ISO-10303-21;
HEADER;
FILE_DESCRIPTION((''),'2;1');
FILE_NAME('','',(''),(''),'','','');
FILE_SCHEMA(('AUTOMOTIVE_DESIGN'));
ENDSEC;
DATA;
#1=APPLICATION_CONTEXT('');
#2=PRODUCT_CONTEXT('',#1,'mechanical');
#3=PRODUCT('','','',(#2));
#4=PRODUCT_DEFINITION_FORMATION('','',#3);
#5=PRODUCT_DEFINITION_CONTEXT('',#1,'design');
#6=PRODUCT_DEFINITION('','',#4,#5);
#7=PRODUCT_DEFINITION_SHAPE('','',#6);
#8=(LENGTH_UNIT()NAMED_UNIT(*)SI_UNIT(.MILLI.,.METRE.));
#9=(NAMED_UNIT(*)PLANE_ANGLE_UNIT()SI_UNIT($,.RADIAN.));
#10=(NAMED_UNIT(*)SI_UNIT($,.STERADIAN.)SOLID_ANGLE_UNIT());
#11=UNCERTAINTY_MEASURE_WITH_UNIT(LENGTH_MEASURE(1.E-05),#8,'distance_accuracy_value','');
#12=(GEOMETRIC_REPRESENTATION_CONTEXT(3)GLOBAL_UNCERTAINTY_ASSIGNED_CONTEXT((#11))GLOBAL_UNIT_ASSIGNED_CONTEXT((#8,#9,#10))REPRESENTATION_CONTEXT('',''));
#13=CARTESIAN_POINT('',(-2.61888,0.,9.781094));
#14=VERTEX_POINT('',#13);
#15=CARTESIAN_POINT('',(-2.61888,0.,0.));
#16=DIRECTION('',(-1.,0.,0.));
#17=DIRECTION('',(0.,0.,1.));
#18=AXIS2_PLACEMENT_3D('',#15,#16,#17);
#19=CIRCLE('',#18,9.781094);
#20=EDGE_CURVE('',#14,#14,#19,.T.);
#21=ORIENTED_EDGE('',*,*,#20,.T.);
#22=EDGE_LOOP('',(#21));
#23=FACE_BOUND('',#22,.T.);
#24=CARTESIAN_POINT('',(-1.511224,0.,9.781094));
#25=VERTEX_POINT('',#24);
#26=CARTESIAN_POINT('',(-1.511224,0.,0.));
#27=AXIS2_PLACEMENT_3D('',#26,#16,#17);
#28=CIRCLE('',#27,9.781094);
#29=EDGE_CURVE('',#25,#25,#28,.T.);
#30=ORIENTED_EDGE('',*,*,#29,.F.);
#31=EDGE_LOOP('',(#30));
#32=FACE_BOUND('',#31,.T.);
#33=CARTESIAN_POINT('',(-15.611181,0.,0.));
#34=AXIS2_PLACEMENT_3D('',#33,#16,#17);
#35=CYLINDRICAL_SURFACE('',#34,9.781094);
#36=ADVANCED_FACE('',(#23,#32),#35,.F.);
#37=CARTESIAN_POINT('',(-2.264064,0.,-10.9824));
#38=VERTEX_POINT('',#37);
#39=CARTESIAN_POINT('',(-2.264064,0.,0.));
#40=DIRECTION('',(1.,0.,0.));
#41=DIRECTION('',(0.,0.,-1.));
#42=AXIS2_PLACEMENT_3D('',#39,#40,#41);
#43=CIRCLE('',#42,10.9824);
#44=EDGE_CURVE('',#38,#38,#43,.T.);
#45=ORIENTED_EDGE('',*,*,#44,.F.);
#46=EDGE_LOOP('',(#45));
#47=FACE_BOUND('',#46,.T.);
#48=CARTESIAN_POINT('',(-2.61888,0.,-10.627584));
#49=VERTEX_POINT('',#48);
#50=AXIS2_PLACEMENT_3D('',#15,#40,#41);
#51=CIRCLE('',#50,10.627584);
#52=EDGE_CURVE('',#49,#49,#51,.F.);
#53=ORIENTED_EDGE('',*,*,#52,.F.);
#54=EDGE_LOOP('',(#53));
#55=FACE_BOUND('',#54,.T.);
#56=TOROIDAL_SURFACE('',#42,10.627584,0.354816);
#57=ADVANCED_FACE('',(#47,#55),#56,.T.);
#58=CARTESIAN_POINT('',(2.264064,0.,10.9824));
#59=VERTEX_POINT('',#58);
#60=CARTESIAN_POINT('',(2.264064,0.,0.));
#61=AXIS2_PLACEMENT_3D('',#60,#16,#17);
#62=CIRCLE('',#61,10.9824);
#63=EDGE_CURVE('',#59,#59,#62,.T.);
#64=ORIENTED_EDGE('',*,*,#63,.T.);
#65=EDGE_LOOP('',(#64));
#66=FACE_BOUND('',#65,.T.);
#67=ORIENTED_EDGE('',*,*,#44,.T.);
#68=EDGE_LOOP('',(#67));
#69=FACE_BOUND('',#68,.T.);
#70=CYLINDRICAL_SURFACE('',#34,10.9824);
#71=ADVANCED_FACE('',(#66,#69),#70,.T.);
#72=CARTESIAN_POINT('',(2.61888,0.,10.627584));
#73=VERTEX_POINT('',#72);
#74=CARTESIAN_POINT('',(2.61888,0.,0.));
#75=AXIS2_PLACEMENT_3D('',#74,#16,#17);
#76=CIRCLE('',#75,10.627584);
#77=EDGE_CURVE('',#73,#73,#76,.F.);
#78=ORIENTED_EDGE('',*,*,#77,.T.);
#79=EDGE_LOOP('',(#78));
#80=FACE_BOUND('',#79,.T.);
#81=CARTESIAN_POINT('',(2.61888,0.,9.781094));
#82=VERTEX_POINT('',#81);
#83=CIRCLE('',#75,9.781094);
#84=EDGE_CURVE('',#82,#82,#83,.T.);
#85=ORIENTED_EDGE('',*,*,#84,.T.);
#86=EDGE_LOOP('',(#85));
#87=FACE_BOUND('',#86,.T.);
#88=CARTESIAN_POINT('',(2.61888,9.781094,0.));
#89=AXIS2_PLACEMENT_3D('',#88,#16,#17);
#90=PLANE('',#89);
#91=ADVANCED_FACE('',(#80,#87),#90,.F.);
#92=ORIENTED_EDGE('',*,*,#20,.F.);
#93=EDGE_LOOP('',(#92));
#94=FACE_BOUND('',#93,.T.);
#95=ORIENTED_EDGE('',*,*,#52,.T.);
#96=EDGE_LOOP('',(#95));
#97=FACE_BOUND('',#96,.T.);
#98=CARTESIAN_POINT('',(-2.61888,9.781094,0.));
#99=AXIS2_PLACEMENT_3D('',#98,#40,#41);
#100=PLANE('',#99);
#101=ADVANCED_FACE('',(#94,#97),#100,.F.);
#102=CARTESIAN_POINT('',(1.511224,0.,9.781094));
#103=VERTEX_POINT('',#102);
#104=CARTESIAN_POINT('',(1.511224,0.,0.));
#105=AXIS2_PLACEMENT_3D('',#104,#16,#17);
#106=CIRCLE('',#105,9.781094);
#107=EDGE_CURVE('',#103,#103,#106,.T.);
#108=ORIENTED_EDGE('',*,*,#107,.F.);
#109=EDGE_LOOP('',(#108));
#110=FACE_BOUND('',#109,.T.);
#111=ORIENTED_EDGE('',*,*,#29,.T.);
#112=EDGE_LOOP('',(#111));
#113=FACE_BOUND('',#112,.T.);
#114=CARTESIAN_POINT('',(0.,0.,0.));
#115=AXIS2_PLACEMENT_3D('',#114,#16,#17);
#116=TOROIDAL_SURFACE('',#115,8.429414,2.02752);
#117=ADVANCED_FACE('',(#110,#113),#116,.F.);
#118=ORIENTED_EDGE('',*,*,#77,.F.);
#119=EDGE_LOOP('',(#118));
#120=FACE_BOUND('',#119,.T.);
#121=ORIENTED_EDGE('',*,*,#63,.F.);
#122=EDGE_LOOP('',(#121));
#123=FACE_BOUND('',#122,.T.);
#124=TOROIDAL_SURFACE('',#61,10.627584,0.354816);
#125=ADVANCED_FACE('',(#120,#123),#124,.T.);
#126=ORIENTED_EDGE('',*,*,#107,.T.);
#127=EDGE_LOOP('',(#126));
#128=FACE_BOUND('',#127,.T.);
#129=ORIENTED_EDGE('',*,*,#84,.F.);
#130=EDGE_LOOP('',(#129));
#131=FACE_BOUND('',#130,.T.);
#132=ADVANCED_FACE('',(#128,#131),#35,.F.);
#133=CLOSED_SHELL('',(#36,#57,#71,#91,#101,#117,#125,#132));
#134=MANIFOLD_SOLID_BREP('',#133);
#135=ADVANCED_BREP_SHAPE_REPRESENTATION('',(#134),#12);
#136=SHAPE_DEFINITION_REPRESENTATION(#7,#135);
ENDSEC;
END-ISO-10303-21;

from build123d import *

# Parameters (mm, degrees)
FILLET1_R    = 2.1
SCALE1_SCALE = 0.22
SCALE2_SCALE = 0.2
SCALE3_SCALE = 3.84


with BuildPart() as part:
    # Sketch1 → Revolve1 (revolve)
    with BuildSketch(Plane.XY, mode=Mode.PRIVATE) as revolve1_sk:
        with BuildLine():
            Line((-15.5, 57.89), (-8.94427191, 57.89))
            ThreePointArc((-8.94427191, 57.89), (0, 61.89), (8.94427191, 57.89))
            Line((8.94427191, 57.89), (15.5, 57.89))
            Line((15.5, 57.89), (15.5, 65))
            Line((15.5, 65), (-15.5, 65))
            Line((-15.5, 65), (-15.5, 57.89))
        make_face()
    revolve(revolve1_sk.sketch.rotate(Axis((-92.395721925, 0, 0), (1, 0, 0)), 90), axis=Axis((-92.395721925, 0, 0), (1, 0, 0)))

    # Fillet1
    fillet1_edges = [part.edges().sort_by_distance(p)[0] for p in [
        (15.5, 0, -65),
        (-15.5, 0, -65),
    ]]
    fillet(fillet1_edges, radius=FILLET1_R)


with BuildPart() as part_1:
    # Scale1: scaled about (0, 0, 0)
    add(part.part.scale(SCALE1_SCALE))


with BuildPart() as part_2:
    # Scale2: scaled about (0, 0, 0)
    add(part_1.part.scale(SCALE2_SCALE))


with BuildPart() as part_3:
    # Scale3: scaled about (0, 0, 0)
    add(part_2.part.scale(SCALE3_SCALE))


solid = part_3.part
